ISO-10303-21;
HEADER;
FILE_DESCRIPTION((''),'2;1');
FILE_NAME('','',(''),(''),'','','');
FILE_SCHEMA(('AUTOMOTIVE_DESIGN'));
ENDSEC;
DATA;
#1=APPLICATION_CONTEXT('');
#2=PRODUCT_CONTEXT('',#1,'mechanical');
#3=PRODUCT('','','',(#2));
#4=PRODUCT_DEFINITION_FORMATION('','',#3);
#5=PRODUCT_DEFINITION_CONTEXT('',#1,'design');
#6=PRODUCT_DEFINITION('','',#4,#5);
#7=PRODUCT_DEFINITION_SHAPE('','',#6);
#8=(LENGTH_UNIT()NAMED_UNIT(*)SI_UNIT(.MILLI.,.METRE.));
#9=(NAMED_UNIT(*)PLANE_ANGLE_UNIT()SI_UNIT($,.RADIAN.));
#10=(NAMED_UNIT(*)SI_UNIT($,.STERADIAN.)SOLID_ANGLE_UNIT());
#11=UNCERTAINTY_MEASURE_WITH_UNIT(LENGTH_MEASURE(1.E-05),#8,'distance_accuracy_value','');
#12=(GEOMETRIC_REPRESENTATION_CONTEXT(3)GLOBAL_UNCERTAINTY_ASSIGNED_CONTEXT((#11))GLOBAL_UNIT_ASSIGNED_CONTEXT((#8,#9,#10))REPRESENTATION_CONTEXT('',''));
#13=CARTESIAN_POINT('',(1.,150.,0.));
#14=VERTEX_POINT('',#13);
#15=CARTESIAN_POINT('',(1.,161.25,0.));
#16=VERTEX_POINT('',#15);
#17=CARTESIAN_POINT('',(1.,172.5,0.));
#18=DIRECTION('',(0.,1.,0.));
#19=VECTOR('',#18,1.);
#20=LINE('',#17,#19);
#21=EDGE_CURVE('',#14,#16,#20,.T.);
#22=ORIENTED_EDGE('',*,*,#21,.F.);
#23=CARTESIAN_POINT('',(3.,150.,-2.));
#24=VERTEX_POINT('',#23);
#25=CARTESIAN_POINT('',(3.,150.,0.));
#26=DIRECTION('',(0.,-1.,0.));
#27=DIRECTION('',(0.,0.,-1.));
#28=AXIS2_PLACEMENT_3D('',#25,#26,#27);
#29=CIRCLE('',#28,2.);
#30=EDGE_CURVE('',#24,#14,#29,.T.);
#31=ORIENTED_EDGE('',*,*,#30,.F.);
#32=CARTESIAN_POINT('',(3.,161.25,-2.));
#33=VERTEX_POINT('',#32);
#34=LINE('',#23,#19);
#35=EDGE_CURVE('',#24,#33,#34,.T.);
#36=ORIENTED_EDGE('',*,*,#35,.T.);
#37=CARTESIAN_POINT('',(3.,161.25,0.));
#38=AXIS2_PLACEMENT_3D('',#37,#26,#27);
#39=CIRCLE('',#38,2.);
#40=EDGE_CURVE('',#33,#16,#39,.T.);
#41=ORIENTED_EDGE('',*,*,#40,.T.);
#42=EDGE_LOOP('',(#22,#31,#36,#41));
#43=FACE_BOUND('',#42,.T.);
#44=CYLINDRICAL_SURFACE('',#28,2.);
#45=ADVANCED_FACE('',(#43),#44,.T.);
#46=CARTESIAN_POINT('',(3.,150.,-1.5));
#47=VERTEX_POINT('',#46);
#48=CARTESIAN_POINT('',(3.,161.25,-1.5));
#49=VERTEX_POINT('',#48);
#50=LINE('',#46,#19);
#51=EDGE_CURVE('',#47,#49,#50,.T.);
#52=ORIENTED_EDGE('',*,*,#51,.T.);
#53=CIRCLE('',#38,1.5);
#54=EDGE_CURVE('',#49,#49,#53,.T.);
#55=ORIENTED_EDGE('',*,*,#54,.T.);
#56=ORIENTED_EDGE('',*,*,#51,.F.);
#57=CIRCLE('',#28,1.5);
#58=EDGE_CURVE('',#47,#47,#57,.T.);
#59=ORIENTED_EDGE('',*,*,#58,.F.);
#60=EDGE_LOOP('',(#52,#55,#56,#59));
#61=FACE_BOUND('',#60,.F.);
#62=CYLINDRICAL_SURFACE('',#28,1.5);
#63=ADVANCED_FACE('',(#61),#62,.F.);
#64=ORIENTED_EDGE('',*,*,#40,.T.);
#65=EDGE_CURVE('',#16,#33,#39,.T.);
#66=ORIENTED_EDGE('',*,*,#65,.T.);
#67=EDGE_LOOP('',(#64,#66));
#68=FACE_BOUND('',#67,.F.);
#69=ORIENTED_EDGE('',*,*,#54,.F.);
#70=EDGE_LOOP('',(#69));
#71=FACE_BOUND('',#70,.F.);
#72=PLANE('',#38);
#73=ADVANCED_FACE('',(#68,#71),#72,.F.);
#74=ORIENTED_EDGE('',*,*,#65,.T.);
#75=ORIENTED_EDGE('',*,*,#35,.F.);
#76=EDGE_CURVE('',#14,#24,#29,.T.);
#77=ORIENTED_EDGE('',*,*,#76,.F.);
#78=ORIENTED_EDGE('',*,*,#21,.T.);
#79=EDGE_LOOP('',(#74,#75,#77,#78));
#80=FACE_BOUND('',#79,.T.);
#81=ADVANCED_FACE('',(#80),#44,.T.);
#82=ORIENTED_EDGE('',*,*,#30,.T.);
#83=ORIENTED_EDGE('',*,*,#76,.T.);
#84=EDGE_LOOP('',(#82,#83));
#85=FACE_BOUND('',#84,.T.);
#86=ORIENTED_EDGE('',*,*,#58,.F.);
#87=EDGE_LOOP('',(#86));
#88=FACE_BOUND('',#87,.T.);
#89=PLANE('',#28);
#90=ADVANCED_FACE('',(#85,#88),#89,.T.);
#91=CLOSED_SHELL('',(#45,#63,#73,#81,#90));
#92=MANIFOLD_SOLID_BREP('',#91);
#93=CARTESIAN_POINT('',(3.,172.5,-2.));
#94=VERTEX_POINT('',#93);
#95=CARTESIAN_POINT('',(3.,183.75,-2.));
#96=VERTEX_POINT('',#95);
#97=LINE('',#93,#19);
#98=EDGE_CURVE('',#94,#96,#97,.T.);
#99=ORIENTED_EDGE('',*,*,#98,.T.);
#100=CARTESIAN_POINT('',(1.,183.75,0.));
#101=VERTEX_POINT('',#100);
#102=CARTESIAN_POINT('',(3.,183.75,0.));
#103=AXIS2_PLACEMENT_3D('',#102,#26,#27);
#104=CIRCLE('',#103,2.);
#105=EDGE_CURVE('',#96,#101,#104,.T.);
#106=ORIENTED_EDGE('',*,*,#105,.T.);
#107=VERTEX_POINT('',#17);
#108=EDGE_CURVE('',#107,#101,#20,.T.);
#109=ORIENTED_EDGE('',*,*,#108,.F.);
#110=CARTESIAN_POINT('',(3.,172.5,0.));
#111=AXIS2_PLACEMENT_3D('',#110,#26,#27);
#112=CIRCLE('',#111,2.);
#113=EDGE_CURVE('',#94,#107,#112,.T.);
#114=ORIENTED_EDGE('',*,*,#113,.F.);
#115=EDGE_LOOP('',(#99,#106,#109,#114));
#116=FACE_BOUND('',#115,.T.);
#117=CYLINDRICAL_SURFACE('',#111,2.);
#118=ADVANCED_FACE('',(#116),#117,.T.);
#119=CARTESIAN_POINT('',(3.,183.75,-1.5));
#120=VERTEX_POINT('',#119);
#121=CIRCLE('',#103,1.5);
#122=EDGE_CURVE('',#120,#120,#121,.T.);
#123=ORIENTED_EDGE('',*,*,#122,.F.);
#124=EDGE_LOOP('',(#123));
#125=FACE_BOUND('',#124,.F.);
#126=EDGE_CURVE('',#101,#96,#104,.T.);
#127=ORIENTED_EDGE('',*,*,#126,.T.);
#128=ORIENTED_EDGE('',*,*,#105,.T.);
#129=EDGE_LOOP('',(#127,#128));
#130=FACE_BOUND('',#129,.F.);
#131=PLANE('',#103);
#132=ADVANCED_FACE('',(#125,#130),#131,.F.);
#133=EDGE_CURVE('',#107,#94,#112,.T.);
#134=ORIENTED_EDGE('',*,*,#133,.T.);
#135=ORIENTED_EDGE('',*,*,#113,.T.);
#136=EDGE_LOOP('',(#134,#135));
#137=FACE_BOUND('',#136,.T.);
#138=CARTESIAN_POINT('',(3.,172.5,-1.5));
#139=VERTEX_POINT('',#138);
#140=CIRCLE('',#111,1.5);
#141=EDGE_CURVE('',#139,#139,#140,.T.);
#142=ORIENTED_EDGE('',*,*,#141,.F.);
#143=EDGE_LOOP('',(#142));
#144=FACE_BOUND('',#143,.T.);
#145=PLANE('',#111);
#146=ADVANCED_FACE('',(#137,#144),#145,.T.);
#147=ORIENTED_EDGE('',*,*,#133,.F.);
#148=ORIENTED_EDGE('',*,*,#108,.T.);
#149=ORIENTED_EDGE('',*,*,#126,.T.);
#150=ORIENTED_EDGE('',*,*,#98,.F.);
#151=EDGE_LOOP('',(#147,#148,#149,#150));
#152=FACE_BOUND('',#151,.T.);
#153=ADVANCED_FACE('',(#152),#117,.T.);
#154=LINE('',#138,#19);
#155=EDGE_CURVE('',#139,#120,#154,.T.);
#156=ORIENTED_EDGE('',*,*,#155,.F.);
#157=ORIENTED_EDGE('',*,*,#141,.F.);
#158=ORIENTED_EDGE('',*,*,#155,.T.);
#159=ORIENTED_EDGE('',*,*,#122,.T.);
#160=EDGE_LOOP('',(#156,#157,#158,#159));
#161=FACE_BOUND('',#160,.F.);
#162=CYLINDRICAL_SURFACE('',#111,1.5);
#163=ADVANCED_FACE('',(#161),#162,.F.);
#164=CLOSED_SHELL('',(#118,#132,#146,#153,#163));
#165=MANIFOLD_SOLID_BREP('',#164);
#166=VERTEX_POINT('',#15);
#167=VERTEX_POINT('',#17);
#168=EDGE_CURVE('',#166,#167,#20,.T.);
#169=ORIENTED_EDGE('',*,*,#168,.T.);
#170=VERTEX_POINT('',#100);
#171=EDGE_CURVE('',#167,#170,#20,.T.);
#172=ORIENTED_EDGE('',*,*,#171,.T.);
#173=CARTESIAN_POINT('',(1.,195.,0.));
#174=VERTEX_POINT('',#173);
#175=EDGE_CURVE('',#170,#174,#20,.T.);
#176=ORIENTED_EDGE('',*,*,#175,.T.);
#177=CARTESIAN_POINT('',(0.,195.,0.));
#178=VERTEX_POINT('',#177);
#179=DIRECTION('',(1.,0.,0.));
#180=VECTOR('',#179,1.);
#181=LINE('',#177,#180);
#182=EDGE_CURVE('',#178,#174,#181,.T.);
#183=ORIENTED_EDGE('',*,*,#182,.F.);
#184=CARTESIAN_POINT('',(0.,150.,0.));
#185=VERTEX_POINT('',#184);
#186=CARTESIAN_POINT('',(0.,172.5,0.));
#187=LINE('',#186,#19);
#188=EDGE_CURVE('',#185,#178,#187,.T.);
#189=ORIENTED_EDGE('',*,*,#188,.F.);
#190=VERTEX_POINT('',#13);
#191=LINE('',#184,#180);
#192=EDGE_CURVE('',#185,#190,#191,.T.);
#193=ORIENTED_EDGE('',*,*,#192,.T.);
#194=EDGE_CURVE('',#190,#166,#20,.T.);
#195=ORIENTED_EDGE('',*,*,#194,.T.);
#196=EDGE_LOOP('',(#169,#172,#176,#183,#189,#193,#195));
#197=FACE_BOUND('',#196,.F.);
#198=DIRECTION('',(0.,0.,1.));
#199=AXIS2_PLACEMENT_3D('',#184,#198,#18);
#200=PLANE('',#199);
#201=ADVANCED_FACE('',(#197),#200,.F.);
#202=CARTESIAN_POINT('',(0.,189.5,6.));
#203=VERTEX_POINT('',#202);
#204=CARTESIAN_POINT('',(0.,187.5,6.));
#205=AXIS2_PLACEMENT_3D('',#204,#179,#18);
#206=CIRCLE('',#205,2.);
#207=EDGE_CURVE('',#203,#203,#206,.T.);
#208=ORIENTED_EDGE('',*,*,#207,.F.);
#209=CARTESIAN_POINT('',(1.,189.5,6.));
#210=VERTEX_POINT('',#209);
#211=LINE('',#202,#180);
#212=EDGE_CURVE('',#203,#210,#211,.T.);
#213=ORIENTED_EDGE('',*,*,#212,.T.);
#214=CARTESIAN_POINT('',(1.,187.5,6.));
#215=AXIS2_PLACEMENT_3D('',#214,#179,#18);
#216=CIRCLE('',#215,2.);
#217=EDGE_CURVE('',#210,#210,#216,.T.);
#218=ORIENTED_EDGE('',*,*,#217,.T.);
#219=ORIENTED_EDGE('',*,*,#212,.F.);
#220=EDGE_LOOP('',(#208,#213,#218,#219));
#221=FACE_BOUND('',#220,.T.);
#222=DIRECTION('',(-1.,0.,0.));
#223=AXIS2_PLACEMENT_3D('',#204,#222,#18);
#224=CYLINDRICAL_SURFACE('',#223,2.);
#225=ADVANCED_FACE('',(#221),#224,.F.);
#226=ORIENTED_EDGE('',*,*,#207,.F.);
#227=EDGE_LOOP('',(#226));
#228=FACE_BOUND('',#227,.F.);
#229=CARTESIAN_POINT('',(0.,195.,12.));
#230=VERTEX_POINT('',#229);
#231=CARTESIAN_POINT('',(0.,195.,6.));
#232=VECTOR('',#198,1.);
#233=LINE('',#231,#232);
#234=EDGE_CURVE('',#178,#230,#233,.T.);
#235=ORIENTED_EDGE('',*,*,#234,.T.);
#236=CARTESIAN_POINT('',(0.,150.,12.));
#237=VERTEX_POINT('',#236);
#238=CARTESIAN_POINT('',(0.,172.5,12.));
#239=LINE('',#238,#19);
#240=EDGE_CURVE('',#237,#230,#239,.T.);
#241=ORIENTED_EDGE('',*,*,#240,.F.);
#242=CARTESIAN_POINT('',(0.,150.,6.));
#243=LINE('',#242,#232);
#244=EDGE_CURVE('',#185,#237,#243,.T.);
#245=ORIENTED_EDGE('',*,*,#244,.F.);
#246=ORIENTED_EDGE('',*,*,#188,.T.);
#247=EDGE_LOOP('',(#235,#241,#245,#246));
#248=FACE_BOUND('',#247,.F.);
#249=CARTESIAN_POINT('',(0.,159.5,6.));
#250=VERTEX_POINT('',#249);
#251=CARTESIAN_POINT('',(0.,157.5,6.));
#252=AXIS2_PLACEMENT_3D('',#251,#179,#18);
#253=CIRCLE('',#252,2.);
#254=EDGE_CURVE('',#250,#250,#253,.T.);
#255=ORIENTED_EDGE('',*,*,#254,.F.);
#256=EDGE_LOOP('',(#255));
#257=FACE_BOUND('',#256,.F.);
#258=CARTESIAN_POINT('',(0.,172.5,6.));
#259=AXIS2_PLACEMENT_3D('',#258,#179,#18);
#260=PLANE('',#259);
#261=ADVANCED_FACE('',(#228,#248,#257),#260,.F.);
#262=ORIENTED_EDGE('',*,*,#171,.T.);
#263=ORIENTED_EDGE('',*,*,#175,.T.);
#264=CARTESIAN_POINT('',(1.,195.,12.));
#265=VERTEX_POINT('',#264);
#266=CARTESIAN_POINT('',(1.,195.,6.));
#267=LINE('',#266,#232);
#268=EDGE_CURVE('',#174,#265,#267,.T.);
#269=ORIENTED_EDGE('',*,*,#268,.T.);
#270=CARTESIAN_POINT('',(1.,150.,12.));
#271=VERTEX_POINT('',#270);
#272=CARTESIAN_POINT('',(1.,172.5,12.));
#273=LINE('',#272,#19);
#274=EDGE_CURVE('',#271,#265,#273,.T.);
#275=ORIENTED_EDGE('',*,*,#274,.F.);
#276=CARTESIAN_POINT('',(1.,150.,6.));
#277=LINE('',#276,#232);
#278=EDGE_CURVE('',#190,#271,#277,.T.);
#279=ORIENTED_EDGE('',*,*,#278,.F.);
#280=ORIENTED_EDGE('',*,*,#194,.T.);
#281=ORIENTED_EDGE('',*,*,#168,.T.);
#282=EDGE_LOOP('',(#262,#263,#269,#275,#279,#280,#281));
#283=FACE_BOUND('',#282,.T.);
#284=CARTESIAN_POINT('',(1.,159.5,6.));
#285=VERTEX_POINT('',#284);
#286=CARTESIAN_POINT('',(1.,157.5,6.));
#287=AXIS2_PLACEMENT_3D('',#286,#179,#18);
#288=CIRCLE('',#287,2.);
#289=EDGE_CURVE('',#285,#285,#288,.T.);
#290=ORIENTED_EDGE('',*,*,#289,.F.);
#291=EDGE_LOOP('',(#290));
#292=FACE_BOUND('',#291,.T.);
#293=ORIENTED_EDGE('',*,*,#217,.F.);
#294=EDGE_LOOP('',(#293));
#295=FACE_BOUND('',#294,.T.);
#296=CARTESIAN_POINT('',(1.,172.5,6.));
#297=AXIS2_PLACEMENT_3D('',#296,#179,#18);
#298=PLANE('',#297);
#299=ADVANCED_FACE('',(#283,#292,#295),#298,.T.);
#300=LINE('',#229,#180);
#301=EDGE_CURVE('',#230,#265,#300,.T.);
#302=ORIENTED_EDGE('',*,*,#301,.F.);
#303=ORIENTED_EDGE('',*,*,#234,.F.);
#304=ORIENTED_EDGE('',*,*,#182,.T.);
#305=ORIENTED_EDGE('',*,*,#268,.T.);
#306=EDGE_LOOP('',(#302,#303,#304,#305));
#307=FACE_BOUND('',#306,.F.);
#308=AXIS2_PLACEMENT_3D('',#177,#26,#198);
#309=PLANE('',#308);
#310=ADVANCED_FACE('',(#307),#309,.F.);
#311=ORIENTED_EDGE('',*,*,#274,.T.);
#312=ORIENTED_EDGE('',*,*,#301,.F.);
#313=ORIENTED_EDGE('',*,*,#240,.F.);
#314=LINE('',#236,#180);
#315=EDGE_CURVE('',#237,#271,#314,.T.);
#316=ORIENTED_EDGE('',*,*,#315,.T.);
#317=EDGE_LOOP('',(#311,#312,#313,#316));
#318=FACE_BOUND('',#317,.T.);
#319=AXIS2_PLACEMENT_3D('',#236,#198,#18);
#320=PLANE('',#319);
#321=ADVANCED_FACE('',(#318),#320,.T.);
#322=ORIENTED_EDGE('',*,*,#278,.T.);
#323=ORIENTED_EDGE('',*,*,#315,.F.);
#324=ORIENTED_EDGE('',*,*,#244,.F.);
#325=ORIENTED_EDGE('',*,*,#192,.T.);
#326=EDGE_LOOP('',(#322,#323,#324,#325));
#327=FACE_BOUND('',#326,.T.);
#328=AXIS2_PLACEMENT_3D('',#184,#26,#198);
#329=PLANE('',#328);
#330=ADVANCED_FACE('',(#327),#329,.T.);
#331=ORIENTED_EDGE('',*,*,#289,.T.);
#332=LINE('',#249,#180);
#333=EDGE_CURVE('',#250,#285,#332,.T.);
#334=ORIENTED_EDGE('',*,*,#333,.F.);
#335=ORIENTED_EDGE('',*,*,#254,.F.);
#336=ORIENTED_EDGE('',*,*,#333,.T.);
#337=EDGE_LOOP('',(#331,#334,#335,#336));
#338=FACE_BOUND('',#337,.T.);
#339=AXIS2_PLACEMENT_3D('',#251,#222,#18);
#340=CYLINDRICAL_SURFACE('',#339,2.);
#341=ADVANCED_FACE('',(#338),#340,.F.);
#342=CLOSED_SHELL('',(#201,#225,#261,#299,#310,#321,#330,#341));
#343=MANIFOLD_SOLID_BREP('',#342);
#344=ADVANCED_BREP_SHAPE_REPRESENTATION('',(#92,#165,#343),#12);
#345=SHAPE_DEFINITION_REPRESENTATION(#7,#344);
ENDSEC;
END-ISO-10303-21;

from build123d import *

# Parameters (mm, degrees)
SKETCH005_W            = 45
SKETCH005_H            = 12
SKETCH005_R            = 2
PAD005_DEPTH           = 1
SKETCH006_R            = 2
SKETCH006_R_2          = 1.5
PAD006_DEPTH           = 11.25
LINEARPATTERN002_COUNT = 2
LINEARPATTERN002_PITCH = 22.5


with BuildPart() as part:
    # Sketch005 → Pad005 (new body)
    with BuildSketch(Plane.YZ):
        with Locations((172.5, 6)):
            Rectangle(SKETCH005_W, SKETCH005_H)
        with Locations((157.5, 6)):
            Circle(SKETCH005_R, mode=Mode.SUBTRACT)
        with Locations((187.5, 6)):
            Circle(SKETCH005_R, mode=Mode.SUBTRACT)
    extrude(amount=PAD005_DEPTH)

    # Sketch006 (on Face4 of Pad005) → Pad006 (join)
    with BuildSketch(Plane(origin=(0, 150, 0), x_dir=(0, 0, -1), z_dir=(0, -1, 0))):
        with Locations((0, 3)):
            Circle(SKETCH006_R)
        with Locations((0, 3)):
            Circle(SKETCH006_R_2, mode=Mode.SUBTRACT)
    pad006 = extrude(amount=-PAD006_DEPTH)

    # LinearPattern002: Pad006 ×2
    with Locations(*[(0, i * LINEARPATTERN002_PITCH, 0) for i in range(1, LINEARPATTERN002_COUNT)]):
        add(pad006)


solid = part.part
